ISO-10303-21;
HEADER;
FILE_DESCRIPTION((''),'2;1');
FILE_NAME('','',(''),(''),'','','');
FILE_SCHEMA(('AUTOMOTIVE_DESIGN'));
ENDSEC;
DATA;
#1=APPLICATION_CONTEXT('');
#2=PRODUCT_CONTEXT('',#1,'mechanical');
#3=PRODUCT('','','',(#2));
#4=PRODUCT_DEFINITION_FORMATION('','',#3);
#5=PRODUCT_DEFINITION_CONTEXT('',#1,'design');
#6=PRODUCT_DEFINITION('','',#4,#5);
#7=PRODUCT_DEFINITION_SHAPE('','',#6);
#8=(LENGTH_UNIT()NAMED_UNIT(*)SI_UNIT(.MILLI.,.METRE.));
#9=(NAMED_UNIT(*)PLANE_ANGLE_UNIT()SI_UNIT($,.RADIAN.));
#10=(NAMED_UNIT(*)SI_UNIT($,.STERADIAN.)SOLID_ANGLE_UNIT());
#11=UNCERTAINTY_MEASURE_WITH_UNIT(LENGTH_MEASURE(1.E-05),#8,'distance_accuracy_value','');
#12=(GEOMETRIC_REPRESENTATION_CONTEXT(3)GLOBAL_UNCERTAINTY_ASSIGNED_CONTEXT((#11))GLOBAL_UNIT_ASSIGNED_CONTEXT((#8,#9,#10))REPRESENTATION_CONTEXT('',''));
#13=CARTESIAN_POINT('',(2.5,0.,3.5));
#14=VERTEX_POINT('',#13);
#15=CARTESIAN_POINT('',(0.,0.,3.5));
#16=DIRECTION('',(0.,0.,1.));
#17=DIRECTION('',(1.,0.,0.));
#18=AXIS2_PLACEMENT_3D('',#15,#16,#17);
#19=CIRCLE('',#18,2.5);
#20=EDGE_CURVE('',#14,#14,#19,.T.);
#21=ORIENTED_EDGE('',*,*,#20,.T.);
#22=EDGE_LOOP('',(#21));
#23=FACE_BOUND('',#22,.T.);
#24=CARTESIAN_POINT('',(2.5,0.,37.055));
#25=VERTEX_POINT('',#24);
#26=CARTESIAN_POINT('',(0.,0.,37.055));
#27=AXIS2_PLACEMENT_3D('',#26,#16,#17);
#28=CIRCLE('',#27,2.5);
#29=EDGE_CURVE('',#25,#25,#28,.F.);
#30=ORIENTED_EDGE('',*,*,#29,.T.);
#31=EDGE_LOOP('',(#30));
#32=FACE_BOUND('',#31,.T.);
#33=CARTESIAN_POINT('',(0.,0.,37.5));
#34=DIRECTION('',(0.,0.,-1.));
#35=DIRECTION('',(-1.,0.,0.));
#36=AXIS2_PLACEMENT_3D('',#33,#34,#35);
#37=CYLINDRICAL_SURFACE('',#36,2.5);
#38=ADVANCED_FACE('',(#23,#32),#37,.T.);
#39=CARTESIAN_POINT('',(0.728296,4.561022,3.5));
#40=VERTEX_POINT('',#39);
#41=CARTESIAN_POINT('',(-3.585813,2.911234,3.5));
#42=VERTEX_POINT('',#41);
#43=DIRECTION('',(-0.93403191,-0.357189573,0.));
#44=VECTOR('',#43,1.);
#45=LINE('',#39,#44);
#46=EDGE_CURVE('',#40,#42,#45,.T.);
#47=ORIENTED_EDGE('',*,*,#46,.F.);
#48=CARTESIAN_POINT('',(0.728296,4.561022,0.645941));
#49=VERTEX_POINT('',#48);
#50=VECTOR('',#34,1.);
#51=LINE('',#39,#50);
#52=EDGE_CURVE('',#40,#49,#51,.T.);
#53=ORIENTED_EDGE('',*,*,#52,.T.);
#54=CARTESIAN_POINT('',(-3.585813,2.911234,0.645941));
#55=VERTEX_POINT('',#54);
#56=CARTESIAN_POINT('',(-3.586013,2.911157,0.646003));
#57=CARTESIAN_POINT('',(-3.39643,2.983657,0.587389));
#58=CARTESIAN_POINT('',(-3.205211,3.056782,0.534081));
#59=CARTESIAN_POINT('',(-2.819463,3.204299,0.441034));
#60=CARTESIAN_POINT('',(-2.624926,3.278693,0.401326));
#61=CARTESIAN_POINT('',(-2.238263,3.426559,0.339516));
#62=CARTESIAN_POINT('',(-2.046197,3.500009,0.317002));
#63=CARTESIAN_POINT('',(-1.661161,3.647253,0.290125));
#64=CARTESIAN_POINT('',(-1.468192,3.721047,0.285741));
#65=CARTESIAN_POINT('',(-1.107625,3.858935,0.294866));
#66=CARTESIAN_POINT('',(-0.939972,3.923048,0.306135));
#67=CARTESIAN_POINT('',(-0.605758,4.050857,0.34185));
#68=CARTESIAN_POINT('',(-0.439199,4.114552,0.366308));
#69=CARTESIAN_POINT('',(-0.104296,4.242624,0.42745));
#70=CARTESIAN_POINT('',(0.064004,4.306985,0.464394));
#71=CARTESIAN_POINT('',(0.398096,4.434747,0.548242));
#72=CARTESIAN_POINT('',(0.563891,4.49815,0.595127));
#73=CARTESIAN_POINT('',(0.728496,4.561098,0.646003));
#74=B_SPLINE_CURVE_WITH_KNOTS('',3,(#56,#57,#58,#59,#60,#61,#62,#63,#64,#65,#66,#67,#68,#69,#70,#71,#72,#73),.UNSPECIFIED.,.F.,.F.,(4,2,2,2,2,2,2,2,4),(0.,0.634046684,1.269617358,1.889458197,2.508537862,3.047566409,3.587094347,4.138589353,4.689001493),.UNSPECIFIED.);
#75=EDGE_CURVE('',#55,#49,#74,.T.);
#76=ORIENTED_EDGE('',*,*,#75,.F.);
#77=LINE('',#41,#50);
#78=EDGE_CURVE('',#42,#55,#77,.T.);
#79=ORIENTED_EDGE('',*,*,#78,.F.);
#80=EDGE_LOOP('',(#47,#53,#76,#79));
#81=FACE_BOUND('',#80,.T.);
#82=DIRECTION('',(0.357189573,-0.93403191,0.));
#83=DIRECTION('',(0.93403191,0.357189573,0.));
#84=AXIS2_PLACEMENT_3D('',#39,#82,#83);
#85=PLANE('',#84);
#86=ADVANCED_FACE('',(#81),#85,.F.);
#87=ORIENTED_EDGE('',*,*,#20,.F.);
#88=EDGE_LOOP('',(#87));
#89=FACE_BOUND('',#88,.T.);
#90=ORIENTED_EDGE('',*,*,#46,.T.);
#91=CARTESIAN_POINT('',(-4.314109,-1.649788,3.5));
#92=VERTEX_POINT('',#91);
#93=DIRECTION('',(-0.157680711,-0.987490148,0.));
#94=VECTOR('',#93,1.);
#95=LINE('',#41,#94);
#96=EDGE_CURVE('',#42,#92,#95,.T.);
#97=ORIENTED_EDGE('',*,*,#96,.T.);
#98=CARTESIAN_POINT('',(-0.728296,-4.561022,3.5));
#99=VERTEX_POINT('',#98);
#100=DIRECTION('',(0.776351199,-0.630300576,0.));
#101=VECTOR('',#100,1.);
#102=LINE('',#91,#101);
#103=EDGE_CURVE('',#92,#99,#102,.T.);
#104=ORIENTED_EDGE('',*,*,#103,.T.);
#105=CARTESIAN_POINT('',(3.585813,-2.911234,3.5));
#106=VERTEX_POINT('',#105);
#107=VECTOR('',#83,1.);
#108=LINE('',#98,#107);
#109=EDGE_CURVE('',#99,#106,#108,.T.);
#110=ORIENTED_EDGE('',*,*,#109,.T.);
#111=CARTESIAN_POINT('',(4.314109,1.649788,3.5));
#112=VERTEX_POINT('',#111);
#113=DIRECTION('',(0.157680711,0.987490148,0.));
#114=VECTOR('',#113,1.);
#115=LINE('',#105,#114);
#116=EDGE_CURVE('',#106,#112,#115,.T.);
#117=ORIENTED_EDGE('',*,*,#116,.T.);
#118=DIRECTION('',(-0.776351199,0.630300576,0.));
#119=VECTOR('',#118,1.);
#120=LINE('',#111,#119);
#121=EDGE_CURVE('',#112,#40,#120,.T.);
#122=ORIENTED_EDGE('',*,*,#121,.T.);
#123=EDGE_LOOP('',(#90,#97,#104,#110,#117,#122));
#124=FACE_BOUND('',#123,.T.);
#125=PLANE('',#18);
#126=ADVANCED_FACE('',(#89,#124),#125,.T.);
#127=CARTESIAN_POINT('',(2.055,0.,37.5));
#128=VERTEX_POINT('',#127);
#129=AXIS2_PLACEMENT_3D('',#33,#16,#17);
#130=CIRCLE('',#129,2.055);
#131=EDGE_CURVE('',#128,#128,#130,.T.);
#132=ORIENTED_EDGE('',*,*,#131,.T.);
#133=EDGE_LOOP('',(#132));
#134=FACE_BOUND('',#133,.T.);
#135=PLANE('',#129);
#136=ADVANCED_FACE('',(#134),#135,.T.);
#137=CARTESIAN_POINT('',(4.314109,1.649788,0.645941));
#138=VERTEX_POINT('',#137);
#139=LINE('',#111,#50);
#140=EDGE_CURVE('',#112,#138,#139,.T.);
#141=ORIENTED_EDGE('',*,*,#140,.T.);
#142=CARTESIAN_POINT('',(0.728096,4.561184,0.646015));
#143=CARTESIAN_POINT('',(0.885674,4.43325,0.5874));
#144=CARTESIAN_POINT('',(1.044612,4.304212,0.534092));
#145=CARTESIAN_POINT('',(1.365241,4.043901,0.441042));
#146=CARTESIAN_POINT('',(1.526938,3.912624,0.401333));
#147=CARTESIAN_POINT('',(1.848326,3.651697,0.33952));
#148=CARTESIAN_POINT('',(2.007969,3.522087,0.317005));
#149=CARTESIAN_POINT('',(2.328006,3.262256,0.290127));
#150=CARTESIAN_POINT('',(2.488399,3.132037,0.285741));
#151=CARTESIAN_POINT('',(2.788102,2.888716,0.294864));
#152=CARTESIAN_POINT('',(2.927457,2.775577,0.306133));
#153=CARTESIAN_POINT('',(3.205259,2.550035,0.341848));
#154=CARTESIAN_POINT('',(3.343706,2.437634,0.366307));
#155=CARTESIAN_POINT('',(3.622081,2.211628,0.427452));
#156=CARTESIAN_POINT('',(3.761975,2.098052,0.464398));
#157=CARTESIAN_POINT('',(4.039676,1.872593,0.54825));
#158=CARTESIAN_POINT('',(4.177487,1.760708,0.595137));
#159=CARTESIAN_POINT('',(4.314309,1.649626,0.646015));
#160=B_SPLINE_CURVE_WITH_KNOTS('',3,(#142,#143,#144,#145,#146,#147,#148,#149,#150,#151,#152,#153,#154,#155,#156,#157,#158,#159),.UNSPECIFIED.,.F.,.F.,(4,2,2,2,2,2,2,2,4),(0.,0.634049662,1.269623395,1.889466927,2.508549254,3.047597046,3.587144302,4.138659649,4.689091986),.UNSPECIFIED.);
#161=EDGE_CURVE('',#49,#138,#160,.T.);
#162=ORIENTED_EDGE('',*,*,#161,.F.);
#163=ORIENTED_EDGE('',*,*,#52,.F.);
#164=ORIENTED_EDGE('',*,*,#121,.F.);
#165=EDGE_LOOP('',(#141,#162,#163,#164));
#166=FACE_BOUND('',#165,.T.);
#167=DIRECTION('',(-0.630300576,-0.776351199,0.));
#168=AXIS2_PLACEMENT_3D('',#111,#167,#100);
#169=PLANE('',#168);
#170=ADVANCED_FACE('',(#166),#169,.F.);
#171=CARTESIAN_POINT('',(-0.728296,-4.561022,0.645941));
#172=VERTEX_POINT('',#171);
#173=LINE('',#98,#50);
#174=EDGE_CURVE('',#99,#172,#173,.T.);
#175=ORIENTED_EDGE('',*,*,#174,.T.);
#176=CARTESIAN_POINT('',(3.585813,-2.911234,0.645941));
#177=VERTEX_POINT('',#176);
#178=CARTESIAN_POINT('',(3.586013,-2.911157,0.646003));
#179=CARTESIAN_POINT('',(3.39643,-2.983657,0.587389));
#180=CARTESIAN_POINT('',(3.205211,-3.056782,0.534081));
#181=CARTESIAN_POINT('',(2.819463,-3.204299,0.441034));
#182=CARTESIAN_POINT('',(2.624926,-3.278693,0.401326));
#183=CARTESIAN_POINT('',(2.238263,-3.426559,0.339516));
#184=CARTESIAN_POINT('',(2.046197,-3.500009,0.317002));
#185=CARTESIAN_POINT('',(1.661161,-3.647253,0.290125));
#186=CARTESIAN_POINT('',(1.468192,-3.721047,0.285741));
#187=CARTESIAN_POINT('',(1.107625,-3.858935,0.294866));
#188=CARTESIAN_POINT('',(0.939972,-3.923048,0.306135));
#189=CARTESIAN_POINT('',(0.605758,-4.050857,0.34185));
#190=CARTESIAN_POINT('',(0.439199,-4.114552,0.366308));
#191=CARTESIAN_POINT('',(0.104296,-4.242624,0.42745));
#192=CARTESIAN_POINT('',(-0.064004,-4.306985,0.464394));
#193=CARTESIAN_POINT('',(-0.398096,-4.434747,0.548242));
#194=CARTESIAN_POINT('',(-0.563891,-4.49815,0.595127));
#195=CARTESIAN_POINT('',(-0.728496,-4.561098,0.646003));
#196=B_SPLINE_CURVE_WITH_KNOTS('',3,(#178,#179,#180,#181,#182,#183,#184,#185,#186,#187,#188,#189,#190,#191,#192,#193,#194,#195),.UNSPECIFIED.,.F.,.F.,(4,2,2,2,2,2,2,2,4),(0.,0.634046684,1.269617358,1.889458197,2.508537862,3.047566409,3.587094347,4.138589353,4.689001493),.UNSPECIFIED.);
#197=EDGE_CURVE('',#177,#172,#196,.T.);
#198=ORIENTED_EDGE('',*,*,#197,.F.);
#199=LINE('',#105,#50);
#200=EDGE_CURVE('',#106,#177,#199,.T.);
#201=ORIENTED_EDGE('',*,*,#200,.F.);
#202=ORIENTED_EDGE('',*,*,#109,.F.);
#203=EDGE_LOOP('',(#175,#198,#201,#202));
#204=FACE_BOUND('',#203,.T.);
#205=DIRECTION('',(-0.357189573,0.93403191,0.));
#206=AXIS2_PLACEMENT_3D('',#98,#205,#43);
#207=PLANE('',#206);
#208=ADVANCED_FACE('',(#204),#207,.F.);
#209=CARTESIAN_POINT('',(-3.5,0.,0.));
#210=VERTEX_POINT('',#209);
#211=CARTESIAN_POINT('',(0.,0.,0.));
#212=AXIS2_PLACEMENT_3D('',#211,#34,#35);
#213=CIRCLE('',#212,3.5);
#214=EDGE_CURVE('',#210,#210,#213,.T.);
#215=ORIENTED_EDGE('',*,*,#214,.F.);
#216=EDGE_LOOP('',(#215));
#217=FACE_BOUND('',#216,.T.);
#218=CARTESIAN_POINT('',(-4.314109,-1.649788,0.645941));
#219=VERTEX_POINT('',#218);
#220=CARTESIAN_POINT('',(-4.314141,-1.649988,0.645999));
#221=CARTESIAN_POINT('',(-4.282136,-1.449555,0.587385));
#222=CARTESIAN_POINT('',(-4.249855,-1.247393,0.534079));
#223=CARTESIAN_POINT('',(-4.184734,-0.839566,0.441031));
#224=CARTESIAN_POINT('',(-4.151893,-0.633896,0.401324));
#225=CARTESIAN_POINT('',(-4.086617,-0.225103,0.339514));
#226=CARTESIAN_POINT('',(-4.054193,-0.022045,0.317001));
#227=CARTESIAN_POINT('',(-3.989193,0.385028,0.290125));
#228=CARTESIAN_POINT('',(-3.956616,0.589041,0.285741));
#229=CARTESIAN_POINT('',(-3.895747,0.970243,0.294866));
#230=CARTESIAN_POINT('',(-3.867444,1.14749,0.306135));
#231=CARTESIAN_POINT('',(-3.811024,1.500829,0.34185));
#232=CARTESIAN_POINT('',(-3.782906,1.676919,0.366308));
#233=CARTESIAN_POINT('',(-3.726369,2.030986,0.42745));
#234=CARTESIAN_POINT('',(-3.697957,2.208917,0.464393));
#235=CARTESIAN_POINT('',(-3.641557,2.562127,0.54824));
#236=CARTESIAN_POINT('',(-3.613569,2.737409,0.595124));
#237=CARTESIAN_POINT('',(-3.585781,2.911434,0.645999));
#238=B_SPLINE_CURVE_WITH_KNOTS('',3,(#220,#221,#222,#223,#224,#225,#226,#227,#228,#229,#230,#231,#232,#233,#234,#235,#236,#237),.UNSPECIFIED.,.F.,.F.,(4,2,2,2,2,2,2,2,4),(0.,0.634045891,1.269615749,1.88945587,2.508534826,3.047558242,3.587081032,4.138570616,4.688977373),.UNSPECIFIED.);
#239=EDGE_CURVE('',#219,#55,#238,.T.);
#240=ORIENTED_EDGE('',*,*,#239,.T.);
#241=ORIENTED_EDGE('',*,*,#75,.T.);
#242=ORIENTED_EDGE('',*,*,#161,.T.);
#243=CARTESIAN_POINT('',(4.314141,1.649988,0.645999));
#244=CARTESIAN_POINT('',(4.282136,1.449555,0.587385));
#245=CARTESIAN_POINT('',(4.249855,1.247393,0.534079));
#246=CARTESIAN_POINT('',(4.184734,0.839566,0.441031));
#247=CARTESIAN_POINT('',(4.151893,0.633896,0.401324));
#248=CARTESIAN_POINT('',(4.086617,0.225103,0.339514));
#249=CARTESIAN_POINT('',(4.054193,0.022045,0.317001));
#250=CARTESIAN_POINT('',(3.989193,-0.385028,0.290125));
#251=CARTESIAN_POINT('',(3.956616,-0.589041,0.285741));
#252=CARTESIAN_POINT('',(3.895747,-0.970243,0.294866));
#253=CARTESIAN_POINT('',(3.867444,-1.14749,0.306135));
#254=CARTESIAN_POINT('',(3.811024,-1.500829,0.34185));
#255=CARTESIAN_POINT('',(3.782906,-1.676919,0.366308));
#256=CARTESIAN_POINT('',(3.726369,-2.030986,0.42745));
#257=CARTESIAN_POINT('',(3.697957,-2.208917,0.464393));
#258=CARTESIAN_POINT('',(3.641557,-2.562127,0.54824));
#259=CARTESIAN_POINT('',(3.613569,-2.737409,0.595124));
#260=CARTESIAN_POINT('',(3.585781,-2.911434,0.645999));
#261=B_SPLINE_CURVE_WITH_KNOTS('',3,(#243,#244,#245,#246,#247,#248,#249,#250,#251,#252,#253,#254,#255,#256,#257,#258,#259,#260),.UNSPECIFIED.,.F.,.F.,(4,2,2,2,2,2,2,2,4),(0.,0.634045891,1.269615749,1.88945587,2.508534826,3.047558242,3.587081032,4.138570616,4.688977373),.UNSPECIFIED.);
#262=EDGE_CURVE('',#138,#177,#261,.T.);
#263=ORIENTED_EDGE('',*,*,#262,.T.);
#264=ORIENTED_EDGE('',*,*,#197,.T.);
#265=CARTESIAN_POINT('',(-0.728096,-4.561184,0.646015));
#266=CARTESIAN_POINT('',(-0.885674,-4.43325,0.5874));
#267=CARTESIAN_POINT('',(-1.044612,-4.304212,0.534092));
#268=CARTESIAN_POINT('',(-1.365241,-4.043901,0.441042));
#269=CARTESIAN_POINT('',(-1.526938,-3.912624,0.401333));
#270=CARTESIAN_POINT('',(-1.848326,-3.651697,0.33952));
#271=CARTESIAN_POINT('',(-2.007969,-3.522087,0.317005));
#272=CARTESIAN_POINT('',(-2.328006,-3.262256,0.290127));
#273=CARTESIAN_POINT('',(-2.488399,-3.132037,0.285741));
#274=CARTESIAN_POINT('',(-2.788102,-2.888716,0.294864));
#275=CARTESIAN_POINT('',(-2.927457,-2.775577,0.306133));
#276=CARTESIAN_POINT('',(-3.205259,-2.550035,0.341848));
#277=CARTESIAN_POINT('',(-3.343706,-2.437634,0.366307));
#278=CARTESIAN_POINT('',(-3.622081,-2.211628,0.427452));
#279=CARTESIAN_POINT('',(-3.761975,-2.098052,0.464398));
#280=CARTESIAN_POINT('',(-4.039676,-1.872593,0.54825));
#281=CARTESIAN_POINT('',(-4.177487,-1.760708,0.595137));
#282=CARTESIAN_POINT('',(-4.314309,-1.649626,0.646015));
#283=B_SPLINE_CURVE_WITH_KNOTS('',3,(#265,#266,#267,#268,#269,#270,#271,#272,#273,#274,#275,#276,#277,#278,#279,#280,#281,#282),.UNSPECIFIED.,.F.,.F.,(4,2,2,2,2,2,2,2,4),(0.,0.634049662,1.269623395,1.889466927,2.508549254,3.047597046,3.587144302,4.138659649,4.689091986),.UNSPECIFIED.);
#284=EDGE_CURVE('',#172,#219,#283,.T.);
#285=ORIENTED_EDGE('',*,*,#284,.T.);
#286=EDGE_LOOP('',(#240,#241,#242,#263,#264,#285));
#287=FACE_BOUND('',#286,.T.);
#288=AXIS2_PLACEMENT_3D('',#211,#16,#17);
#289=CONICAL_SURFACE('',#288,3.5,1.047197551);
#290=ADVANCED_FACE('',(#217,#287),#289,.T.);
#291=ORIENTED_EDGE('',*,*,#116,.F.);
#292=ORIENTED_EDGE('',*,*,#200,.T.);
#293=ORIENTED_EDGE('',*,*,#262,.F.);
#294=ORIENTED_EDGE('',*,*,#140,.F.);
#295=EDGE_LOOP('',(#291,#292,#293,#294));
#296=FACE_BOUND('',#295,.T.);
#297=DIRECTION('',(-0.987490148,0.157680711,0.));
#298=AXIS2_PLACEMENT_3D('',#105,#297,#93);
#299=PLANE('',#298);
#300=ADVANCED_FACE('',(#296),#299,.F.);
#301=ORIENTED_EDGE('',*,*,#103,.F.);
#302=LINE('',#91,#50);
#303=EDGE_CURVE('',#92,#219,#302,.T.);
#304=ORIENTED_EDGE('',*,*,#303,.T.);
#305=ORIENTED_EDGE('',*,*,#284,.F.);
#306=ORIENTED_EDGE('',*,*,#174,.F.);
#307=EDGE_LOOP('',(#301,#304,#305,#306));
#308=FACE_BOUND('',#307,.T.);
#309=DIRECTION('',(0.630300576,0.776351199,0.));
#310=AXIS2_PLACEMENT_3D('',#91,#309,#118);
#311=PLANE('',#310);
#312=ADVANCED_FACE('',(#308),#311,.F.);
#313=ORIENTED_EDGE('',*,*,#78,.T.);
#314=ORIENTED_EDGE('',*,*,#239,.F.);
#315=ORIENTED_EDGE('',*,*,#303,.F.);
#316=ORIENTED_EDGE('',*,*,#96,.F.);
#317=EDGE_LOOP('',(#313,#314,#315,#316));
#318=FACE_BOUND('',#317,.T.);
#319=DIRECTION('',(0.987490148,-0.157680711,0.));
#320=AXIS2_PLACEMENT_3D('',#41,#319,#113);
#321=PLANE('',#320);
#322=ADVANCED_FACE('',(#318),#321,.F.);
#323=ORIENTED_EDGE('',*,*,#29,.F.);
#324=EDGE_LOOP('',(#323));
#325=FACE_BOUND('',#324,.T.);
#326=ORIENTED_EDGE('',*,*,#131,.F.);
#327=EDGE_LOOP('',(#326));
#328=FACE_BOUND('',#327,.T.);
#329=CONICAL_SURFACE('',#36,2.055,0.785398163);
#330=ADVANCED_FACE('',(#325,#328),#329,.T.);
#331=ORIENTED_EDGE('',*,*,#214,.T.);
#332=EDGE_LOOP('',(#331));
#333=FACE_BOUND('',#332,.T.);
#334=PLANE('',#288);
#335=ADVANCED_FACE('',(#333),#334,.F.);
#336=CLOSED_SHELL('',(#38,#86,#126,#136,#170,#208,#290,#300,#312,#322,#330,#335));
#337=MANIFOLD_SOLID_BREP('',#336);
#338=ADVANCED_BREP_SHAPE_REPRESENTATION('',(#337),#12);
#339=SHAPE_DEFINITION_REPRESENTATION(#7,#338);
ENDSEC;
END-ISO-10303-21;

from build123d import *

# Parameters (mm, degrees)
EXTRUDE_1_DEPTH = 3.5
SKETCH_2_R      = 2.5
EXTRUDE_2_DEPTH = 34
CHAMFER_1_SIZE  = 0.445


with BuildPart() as part:
    # Эскиз1 → Бобышка-Вытянуть1 (new body)
    with BuildSketch(Plane.XY):
        Polygon((0.728296009, 4.561021624), (-3.585812589, 2.911233657), (-4.314108598, -1.649787967), (-0.728296009, -4.561021624), (3.585812589, -2.911233657), (4.314108598, 1.649787967), align=None)
    extrude(amount=EXTRUDE_1_DEPTH)

    # Эскиз2 → Бобышка-Вытянуть2 (add)
    with BuildSketch(Plane.XY.offset(3.5)):
        Circle(SKETCH_2_R)
    extrude(amount=EXTRUDE_2_DEPTH)

    # Фаска1
    chamfer_1_edges = [part.edges().sort_by_distance(p)[0] for p in [
        (-2.5, 0, 37.5),
    ]]
    chamfer(chamfer_1_edges, length=CHAMFER_1_SIZE)

    # Эскиз4 → Вырез-Повернуть1 (revolve, cut)
    with BuildSketch(Plane(origin=(0, 0, 0), x_dir=(1, 0, 0), z_dir=(0, 1, 0))):
        Polygon((3.5, 0), (7.5, 0), (7.5, -2.309401077), align=None)
    revolve(axis=Axis((0, 0, 0), (0, 0, 1)), mode=Mode.SUBTRACT)


solid = part.part
